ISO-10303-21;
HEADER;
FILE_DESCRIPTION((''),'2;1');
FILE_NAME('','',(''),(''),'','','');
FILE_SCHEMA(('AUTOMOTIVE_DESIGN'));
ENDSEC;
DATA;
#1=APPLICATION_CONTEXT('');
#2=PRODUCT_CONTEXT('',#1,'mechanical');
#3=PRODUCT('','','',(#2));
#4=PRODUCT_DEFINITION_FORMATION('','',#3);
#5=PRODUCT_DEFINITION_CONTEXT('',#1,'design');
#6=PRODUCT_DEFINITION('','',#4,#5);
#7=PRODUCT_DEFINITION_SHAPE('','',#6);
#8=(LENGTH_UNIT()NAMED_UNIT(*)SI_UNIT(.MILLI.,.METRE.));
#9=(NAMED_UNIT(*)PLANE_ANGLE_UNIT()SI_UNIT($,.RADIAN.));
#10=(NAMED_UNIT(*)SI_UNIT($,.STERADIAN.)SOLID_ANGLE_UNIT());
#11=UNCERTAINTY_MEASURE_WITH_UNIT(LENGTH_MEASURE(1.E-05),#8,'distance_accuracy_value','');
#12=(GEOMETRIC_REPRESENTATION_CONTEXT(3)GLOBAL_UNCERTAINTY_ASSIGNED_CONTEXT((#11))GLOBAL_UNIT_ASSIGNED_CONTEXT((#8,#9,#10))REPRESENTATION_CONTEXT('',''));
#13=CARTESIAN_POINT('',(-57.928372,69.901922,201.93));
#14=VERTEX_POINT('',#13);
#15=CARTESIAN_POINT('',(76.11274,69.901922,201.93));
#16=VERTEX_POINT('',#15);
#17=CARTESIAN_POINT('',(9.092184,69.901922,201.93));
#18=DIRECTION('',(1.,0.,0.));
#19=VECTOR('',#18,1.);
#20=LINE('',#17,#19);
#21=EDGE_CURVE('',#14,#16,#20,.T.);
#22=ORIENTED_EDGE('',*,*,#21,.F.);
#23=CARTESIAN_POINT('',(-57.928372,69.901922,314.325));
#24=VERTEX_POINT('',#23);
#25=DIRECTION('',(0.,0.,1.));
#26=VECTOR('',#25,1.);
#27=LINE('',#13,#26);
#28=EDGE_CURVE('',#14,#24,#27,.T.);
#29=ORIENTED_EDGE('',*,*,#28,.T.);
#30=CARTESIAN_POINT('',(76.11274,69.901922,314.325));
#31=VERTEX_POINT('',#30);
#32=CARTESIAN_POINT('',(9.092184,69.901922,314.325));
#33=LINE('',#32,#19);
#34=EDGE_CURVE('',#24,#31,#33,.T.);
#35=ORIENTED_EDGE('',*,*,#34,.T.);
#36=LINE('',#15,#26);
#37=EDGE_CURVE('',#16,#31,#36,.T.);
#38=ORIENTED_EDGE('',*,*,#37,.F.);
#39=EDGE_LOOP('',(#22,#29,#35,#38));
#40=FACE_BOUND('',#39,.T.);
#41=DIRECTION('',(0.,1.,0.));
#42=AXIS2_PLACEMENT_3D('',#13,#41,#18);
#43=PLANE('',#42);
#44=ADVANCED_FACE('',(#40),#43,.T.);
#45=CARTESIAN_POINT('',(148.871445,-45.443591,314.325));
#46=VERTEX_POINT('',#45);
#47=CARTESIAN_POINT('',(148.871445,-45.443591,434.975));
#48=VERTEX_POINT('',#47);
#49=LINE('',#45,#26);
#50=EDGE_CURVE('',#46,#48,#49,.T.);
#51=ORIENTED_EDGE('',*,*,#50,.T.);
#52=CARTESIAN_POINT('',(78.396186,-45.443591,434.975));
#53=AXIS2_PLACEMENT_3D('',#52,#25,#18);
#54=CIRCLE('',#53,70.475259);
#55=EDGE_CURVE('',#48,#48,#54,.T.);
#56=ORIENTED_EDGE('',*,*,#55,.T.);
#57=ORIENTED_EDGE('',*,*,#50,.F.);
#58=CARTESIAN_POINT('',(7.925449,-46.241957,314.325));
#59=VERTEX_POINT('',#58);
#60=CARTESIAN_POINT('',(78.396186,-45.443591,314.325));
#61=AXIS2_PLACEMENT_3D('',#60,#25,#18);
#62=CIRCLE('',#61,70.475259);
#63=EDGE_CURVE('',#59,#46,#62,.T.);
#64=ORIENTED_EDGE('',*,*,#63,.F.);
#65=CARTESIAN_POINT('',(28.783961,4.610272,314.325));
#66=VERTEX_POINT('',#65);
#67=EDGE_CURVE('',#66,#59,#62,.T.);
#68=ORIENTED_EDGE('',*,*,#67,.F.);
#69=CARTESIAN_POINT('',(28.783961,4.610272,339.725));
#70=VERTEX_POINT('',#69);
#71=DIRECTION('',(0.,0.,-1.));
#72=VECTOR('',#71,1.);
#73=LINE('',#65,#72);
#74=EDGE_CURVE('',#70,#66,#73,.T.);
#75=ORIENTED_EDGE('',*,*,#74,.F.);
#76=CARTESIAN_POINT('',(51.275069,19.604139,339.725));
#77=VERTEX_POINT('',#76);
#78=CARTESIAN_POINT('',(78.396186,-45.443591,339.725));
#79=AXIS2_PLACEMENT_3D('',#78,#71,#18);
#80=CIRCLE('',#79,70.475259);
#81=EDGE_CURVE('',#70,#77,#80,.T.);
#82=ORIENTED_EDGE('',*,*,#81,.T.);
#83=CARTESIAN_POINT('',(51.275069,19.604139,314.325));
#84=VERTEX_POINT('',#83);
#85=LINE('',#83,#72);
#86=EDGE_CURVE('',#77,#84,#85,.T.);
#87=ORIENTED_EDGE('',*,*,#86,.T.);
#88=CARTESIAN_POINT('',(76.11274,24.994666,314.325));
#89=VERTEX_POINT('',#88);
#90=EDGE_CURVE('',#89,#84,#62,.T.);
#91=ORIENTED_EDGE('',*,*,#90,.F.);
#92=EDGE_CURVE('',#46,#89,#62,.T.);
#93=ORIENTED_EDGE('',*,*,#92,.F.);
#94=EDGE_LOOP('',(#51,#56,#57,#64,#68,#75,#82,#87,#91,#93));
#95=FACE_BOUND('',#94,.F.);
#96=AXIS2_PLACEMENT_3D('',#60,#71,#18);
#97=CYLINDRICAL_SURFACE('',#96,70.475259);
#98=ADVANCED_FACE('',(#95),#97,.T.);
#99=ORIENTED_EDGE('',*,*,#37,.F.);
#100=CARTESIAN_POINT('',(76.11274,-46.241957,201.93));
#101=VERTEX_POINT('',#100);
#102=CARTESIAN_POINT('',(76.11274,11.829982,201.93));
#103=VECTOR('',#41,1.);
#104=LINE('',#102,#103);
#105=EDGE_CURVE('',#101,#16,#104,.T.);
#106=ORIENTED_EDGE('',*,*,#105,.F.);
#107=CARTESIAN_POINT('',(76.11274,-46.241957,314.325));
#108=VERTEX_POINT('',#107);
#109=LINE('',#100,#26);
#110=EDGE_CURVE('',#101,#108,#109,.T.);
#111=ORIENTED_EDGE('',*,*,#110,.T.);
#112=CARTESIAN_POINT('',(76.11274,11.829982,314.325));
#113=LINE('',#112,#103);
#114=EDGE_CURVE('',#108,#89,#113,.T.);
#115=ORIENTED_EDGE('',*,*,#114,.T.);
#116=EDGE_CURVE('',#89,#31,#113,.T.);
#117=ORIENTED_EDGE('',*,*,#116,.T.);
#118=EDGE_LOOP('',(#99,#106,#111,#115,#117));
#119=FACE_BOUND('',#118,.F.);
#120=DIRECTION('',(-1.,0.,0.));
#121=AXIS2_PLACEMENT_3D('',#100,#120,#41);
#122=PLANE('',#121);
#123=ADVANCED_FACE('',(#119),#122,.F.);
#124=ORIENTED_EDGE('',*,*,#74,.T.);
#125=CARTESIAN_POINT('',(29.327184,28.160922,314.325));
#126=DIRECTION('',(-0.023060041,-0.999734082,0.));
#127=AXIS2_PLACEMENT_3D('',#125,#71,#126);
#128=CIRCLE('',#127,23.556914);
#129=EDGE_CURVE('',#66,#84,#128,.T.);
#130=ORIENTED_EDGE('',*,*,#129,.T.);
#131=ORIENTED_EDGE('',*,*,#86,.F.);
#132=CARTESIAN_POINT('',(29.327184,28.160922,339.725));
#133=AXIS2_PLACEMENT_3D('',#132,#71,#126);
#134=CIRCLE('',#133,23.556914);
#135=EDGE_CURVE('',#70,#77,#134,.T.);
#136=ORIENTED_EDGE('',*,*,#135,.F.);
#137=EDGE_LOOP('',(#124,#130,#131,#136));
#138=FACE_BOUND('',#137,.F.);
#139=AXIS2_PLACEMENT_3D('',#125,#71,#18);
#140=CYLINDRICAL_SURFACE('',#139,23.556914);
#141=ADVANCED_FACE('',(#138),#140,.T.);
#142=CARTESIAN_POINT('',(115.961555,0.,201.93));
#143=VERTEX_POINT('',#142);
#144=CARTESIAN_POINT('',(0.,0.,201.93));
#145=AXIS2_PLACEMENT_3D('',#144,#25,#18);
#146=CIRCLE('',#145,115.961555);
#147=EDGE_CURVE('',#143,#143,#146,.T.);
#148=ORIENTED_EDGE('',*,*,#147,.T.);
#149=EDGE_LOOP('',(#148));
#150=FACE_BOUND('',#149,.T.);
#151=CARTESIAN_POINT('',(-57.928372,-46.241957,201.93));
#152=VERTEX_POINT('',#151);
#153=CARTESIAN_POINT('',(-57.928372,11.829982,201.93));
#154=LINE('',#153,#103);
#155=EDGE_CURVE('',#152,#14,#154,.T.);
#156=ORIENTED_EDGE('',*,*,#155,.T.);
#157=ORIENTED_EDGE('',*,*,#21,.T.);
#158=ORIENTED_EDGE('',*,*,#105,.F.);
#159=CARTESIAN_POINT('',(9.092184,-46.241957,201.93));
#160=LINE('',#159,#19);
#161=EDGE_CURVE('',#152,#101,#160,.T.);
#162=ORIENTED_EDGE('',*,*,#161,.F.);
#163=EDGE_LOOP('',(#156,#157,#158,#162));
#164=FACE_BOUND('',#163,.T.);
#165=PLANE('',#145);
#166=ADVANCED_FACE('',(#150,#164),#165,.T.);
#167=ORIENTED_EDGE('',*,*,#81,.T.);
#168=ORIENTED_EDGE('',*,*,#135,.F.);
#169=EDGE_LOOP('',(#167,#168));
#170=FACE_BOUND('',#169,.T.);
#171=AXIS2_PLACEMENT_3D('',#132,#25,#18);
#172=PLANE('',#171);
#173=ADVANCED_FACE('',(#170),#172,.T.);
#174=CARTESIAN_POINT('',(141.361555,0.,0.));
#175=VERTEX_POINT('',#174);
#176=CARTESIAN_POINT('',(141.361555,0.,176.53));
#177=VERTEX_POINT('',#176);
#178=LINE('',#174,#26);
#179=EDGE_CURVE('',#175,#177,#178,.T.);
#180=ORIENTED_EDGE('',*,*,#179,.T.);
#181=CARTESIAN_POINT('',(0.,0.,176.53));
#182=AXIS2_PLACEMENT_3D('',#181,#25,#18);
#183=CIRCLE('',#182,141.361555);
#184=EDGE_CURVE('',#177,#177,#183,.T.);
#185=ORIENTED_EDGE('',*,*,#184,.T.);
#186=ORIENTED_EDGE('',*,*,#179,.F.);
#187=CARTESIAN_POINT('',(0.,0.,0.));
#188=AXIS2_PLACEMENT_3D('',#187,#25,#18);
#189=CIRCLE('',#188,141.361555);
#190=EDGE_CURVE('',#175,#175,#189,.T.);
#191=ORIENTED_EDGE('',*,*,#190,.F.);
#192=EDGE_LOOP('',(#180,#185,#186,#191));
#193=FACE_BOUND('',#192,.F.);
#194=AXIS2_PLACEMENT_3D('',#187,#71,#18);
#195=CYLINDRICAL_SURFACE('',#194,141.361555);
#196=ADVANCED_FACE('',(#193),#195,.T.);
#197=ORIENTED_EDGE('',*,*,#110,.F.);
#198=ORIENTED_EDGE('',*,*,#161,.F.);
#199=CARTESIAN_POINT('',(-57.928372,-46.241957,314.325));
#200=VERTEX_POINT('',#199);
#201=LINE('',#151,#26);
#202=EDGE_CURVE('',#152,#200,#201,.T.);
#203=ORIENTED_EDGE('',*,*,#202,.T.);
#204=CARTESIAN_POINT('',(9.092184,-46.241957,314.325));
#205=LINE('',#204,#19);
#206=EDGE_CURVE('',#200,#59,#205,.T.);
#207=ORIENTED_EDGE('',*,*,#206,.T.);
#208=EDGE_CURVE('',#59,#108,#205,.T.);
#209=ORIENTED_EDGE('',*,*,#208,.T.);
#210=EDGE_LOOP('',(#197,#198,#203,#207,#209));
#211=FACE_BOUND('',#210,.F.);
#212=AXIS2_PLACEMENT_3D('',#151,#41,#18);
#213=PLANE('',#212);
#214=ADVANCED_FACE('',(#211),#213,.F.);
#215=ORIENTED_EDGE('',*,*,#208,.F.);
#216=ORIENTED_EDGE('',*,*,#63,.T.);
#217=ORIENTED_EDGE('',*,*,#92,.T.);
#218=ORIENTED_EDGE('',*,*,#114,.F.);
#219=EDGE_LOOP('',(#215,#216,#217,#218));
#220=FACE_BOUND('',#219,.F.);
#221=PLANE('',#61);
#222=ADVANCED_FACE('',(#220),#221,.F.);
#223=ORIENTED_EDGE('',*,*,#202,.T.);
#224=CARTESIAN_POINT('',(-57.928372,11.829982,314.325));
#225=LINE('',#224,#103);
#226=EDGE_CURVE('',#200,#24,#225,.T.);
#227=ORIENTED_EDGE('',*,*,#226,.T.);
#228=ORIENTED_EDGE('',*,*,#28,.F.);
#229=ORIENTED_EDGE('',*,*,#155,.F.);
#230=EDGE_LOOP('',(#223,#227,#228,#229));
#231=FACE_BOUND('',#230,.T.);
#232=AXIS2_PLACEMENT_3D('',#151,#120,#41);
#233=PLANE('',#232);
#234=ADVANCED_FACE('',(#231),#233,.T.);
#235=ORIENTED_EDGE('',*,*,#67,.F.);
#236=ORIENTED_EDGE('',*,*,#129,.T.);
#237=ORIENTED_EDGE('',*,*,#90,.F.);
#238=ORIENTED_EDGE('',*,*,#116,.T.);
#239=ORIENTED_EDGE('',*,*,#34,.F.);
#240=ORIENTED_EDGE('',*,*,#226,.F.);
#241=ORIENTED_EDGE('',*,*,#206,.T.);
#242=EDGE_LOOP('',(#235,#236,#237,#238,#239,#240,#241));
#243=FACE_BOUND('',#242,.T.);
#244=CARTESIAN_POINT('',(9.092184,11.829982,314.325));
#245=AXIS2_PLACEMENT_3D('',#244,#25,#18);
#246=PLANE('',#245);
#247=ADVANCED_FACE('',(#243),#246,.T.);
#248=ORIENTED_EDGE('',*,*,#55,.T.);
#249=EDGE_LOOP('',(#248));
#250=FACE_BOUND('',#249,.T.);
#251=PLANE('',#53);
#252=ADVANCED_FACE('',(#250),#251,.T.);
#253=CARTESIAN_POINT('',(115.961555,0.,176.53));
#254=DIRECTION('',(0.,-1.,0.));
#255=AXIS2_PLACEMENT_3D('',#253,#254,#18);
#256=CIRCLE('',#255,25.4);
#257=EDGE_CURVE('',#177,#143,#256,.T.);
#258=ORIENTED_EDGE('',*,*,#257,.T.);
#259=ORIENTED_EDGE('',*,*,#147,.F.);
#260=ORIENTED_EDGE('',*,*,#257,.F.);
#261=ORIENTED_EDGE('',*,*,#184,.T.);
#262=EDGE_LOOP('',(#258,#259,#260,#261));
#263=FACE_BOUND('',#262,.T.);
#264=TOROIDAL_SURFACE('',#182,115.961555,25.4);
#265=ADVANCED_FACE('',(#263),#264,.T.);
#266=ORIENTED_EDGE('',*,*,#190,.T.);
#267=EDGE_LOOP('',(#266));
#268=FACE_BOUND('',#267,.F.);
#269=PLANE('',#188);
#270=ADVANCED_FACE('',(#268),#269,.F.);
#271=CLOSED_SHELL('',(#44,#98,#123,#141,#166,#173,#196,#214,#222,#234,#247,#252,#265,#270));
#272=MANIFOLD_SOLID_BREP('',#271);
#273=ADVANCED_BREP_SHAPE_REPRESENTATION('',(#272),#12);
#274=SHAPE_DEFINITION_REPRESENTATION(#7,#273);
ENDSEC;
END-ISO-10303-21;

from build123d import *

# Parameters (mm, degrees)
F0_R      = 141.361555
F1_DEPTH  = 201.93
F3_W      = 134.041112
F3_H      = 116.143879
F4_DEPTH  = 112.395
F5_R      = 25.4
F7_R      = 23.556914
F8_DEPTH  = 25.4
F9_R      = 70.475259
F10_DEPTH = 120.65


with BuildPart() as f1:
    # F0 (on Top) → F1 (new body)
    with BuildSketch(Plane.XY):
        Circle(F0_R)
    extrude(amount=F1_DEPTH)

    # F3 (on face) → F4 (join)
    with BuildSketch(Plane.XY.offset(201.93)):
        with Locations((9.092184, 11.829982)):
            Rectangle(F3_W, F3_H)
    extrude(amount=F4_DEPTH)

    # F5
    f5_edges = [f1.edges().sort_by_distance(p)[0] for p in [
        (-141.361555, 0, 201.93),
    ]]
    fillet(f5_edges, radius=F5_R)

    # F7 (on face) → F8 (join)
    with BuildSketch(Plane.XY.offset(314.325)):
        with Locations((29.327184, 28.160922)):
            Circle(F7_R)
    extrude(amount=F8_DEPTH)

    # F9 (on face) → F10 (join)
    with BuildSketch(Plane.XY.offset(314.325)):
        with Locations((78.396186, -45.443591)):
            Circle(F9_R)
    extrude(amount=F10_DEPTH)


solid = f1.part
